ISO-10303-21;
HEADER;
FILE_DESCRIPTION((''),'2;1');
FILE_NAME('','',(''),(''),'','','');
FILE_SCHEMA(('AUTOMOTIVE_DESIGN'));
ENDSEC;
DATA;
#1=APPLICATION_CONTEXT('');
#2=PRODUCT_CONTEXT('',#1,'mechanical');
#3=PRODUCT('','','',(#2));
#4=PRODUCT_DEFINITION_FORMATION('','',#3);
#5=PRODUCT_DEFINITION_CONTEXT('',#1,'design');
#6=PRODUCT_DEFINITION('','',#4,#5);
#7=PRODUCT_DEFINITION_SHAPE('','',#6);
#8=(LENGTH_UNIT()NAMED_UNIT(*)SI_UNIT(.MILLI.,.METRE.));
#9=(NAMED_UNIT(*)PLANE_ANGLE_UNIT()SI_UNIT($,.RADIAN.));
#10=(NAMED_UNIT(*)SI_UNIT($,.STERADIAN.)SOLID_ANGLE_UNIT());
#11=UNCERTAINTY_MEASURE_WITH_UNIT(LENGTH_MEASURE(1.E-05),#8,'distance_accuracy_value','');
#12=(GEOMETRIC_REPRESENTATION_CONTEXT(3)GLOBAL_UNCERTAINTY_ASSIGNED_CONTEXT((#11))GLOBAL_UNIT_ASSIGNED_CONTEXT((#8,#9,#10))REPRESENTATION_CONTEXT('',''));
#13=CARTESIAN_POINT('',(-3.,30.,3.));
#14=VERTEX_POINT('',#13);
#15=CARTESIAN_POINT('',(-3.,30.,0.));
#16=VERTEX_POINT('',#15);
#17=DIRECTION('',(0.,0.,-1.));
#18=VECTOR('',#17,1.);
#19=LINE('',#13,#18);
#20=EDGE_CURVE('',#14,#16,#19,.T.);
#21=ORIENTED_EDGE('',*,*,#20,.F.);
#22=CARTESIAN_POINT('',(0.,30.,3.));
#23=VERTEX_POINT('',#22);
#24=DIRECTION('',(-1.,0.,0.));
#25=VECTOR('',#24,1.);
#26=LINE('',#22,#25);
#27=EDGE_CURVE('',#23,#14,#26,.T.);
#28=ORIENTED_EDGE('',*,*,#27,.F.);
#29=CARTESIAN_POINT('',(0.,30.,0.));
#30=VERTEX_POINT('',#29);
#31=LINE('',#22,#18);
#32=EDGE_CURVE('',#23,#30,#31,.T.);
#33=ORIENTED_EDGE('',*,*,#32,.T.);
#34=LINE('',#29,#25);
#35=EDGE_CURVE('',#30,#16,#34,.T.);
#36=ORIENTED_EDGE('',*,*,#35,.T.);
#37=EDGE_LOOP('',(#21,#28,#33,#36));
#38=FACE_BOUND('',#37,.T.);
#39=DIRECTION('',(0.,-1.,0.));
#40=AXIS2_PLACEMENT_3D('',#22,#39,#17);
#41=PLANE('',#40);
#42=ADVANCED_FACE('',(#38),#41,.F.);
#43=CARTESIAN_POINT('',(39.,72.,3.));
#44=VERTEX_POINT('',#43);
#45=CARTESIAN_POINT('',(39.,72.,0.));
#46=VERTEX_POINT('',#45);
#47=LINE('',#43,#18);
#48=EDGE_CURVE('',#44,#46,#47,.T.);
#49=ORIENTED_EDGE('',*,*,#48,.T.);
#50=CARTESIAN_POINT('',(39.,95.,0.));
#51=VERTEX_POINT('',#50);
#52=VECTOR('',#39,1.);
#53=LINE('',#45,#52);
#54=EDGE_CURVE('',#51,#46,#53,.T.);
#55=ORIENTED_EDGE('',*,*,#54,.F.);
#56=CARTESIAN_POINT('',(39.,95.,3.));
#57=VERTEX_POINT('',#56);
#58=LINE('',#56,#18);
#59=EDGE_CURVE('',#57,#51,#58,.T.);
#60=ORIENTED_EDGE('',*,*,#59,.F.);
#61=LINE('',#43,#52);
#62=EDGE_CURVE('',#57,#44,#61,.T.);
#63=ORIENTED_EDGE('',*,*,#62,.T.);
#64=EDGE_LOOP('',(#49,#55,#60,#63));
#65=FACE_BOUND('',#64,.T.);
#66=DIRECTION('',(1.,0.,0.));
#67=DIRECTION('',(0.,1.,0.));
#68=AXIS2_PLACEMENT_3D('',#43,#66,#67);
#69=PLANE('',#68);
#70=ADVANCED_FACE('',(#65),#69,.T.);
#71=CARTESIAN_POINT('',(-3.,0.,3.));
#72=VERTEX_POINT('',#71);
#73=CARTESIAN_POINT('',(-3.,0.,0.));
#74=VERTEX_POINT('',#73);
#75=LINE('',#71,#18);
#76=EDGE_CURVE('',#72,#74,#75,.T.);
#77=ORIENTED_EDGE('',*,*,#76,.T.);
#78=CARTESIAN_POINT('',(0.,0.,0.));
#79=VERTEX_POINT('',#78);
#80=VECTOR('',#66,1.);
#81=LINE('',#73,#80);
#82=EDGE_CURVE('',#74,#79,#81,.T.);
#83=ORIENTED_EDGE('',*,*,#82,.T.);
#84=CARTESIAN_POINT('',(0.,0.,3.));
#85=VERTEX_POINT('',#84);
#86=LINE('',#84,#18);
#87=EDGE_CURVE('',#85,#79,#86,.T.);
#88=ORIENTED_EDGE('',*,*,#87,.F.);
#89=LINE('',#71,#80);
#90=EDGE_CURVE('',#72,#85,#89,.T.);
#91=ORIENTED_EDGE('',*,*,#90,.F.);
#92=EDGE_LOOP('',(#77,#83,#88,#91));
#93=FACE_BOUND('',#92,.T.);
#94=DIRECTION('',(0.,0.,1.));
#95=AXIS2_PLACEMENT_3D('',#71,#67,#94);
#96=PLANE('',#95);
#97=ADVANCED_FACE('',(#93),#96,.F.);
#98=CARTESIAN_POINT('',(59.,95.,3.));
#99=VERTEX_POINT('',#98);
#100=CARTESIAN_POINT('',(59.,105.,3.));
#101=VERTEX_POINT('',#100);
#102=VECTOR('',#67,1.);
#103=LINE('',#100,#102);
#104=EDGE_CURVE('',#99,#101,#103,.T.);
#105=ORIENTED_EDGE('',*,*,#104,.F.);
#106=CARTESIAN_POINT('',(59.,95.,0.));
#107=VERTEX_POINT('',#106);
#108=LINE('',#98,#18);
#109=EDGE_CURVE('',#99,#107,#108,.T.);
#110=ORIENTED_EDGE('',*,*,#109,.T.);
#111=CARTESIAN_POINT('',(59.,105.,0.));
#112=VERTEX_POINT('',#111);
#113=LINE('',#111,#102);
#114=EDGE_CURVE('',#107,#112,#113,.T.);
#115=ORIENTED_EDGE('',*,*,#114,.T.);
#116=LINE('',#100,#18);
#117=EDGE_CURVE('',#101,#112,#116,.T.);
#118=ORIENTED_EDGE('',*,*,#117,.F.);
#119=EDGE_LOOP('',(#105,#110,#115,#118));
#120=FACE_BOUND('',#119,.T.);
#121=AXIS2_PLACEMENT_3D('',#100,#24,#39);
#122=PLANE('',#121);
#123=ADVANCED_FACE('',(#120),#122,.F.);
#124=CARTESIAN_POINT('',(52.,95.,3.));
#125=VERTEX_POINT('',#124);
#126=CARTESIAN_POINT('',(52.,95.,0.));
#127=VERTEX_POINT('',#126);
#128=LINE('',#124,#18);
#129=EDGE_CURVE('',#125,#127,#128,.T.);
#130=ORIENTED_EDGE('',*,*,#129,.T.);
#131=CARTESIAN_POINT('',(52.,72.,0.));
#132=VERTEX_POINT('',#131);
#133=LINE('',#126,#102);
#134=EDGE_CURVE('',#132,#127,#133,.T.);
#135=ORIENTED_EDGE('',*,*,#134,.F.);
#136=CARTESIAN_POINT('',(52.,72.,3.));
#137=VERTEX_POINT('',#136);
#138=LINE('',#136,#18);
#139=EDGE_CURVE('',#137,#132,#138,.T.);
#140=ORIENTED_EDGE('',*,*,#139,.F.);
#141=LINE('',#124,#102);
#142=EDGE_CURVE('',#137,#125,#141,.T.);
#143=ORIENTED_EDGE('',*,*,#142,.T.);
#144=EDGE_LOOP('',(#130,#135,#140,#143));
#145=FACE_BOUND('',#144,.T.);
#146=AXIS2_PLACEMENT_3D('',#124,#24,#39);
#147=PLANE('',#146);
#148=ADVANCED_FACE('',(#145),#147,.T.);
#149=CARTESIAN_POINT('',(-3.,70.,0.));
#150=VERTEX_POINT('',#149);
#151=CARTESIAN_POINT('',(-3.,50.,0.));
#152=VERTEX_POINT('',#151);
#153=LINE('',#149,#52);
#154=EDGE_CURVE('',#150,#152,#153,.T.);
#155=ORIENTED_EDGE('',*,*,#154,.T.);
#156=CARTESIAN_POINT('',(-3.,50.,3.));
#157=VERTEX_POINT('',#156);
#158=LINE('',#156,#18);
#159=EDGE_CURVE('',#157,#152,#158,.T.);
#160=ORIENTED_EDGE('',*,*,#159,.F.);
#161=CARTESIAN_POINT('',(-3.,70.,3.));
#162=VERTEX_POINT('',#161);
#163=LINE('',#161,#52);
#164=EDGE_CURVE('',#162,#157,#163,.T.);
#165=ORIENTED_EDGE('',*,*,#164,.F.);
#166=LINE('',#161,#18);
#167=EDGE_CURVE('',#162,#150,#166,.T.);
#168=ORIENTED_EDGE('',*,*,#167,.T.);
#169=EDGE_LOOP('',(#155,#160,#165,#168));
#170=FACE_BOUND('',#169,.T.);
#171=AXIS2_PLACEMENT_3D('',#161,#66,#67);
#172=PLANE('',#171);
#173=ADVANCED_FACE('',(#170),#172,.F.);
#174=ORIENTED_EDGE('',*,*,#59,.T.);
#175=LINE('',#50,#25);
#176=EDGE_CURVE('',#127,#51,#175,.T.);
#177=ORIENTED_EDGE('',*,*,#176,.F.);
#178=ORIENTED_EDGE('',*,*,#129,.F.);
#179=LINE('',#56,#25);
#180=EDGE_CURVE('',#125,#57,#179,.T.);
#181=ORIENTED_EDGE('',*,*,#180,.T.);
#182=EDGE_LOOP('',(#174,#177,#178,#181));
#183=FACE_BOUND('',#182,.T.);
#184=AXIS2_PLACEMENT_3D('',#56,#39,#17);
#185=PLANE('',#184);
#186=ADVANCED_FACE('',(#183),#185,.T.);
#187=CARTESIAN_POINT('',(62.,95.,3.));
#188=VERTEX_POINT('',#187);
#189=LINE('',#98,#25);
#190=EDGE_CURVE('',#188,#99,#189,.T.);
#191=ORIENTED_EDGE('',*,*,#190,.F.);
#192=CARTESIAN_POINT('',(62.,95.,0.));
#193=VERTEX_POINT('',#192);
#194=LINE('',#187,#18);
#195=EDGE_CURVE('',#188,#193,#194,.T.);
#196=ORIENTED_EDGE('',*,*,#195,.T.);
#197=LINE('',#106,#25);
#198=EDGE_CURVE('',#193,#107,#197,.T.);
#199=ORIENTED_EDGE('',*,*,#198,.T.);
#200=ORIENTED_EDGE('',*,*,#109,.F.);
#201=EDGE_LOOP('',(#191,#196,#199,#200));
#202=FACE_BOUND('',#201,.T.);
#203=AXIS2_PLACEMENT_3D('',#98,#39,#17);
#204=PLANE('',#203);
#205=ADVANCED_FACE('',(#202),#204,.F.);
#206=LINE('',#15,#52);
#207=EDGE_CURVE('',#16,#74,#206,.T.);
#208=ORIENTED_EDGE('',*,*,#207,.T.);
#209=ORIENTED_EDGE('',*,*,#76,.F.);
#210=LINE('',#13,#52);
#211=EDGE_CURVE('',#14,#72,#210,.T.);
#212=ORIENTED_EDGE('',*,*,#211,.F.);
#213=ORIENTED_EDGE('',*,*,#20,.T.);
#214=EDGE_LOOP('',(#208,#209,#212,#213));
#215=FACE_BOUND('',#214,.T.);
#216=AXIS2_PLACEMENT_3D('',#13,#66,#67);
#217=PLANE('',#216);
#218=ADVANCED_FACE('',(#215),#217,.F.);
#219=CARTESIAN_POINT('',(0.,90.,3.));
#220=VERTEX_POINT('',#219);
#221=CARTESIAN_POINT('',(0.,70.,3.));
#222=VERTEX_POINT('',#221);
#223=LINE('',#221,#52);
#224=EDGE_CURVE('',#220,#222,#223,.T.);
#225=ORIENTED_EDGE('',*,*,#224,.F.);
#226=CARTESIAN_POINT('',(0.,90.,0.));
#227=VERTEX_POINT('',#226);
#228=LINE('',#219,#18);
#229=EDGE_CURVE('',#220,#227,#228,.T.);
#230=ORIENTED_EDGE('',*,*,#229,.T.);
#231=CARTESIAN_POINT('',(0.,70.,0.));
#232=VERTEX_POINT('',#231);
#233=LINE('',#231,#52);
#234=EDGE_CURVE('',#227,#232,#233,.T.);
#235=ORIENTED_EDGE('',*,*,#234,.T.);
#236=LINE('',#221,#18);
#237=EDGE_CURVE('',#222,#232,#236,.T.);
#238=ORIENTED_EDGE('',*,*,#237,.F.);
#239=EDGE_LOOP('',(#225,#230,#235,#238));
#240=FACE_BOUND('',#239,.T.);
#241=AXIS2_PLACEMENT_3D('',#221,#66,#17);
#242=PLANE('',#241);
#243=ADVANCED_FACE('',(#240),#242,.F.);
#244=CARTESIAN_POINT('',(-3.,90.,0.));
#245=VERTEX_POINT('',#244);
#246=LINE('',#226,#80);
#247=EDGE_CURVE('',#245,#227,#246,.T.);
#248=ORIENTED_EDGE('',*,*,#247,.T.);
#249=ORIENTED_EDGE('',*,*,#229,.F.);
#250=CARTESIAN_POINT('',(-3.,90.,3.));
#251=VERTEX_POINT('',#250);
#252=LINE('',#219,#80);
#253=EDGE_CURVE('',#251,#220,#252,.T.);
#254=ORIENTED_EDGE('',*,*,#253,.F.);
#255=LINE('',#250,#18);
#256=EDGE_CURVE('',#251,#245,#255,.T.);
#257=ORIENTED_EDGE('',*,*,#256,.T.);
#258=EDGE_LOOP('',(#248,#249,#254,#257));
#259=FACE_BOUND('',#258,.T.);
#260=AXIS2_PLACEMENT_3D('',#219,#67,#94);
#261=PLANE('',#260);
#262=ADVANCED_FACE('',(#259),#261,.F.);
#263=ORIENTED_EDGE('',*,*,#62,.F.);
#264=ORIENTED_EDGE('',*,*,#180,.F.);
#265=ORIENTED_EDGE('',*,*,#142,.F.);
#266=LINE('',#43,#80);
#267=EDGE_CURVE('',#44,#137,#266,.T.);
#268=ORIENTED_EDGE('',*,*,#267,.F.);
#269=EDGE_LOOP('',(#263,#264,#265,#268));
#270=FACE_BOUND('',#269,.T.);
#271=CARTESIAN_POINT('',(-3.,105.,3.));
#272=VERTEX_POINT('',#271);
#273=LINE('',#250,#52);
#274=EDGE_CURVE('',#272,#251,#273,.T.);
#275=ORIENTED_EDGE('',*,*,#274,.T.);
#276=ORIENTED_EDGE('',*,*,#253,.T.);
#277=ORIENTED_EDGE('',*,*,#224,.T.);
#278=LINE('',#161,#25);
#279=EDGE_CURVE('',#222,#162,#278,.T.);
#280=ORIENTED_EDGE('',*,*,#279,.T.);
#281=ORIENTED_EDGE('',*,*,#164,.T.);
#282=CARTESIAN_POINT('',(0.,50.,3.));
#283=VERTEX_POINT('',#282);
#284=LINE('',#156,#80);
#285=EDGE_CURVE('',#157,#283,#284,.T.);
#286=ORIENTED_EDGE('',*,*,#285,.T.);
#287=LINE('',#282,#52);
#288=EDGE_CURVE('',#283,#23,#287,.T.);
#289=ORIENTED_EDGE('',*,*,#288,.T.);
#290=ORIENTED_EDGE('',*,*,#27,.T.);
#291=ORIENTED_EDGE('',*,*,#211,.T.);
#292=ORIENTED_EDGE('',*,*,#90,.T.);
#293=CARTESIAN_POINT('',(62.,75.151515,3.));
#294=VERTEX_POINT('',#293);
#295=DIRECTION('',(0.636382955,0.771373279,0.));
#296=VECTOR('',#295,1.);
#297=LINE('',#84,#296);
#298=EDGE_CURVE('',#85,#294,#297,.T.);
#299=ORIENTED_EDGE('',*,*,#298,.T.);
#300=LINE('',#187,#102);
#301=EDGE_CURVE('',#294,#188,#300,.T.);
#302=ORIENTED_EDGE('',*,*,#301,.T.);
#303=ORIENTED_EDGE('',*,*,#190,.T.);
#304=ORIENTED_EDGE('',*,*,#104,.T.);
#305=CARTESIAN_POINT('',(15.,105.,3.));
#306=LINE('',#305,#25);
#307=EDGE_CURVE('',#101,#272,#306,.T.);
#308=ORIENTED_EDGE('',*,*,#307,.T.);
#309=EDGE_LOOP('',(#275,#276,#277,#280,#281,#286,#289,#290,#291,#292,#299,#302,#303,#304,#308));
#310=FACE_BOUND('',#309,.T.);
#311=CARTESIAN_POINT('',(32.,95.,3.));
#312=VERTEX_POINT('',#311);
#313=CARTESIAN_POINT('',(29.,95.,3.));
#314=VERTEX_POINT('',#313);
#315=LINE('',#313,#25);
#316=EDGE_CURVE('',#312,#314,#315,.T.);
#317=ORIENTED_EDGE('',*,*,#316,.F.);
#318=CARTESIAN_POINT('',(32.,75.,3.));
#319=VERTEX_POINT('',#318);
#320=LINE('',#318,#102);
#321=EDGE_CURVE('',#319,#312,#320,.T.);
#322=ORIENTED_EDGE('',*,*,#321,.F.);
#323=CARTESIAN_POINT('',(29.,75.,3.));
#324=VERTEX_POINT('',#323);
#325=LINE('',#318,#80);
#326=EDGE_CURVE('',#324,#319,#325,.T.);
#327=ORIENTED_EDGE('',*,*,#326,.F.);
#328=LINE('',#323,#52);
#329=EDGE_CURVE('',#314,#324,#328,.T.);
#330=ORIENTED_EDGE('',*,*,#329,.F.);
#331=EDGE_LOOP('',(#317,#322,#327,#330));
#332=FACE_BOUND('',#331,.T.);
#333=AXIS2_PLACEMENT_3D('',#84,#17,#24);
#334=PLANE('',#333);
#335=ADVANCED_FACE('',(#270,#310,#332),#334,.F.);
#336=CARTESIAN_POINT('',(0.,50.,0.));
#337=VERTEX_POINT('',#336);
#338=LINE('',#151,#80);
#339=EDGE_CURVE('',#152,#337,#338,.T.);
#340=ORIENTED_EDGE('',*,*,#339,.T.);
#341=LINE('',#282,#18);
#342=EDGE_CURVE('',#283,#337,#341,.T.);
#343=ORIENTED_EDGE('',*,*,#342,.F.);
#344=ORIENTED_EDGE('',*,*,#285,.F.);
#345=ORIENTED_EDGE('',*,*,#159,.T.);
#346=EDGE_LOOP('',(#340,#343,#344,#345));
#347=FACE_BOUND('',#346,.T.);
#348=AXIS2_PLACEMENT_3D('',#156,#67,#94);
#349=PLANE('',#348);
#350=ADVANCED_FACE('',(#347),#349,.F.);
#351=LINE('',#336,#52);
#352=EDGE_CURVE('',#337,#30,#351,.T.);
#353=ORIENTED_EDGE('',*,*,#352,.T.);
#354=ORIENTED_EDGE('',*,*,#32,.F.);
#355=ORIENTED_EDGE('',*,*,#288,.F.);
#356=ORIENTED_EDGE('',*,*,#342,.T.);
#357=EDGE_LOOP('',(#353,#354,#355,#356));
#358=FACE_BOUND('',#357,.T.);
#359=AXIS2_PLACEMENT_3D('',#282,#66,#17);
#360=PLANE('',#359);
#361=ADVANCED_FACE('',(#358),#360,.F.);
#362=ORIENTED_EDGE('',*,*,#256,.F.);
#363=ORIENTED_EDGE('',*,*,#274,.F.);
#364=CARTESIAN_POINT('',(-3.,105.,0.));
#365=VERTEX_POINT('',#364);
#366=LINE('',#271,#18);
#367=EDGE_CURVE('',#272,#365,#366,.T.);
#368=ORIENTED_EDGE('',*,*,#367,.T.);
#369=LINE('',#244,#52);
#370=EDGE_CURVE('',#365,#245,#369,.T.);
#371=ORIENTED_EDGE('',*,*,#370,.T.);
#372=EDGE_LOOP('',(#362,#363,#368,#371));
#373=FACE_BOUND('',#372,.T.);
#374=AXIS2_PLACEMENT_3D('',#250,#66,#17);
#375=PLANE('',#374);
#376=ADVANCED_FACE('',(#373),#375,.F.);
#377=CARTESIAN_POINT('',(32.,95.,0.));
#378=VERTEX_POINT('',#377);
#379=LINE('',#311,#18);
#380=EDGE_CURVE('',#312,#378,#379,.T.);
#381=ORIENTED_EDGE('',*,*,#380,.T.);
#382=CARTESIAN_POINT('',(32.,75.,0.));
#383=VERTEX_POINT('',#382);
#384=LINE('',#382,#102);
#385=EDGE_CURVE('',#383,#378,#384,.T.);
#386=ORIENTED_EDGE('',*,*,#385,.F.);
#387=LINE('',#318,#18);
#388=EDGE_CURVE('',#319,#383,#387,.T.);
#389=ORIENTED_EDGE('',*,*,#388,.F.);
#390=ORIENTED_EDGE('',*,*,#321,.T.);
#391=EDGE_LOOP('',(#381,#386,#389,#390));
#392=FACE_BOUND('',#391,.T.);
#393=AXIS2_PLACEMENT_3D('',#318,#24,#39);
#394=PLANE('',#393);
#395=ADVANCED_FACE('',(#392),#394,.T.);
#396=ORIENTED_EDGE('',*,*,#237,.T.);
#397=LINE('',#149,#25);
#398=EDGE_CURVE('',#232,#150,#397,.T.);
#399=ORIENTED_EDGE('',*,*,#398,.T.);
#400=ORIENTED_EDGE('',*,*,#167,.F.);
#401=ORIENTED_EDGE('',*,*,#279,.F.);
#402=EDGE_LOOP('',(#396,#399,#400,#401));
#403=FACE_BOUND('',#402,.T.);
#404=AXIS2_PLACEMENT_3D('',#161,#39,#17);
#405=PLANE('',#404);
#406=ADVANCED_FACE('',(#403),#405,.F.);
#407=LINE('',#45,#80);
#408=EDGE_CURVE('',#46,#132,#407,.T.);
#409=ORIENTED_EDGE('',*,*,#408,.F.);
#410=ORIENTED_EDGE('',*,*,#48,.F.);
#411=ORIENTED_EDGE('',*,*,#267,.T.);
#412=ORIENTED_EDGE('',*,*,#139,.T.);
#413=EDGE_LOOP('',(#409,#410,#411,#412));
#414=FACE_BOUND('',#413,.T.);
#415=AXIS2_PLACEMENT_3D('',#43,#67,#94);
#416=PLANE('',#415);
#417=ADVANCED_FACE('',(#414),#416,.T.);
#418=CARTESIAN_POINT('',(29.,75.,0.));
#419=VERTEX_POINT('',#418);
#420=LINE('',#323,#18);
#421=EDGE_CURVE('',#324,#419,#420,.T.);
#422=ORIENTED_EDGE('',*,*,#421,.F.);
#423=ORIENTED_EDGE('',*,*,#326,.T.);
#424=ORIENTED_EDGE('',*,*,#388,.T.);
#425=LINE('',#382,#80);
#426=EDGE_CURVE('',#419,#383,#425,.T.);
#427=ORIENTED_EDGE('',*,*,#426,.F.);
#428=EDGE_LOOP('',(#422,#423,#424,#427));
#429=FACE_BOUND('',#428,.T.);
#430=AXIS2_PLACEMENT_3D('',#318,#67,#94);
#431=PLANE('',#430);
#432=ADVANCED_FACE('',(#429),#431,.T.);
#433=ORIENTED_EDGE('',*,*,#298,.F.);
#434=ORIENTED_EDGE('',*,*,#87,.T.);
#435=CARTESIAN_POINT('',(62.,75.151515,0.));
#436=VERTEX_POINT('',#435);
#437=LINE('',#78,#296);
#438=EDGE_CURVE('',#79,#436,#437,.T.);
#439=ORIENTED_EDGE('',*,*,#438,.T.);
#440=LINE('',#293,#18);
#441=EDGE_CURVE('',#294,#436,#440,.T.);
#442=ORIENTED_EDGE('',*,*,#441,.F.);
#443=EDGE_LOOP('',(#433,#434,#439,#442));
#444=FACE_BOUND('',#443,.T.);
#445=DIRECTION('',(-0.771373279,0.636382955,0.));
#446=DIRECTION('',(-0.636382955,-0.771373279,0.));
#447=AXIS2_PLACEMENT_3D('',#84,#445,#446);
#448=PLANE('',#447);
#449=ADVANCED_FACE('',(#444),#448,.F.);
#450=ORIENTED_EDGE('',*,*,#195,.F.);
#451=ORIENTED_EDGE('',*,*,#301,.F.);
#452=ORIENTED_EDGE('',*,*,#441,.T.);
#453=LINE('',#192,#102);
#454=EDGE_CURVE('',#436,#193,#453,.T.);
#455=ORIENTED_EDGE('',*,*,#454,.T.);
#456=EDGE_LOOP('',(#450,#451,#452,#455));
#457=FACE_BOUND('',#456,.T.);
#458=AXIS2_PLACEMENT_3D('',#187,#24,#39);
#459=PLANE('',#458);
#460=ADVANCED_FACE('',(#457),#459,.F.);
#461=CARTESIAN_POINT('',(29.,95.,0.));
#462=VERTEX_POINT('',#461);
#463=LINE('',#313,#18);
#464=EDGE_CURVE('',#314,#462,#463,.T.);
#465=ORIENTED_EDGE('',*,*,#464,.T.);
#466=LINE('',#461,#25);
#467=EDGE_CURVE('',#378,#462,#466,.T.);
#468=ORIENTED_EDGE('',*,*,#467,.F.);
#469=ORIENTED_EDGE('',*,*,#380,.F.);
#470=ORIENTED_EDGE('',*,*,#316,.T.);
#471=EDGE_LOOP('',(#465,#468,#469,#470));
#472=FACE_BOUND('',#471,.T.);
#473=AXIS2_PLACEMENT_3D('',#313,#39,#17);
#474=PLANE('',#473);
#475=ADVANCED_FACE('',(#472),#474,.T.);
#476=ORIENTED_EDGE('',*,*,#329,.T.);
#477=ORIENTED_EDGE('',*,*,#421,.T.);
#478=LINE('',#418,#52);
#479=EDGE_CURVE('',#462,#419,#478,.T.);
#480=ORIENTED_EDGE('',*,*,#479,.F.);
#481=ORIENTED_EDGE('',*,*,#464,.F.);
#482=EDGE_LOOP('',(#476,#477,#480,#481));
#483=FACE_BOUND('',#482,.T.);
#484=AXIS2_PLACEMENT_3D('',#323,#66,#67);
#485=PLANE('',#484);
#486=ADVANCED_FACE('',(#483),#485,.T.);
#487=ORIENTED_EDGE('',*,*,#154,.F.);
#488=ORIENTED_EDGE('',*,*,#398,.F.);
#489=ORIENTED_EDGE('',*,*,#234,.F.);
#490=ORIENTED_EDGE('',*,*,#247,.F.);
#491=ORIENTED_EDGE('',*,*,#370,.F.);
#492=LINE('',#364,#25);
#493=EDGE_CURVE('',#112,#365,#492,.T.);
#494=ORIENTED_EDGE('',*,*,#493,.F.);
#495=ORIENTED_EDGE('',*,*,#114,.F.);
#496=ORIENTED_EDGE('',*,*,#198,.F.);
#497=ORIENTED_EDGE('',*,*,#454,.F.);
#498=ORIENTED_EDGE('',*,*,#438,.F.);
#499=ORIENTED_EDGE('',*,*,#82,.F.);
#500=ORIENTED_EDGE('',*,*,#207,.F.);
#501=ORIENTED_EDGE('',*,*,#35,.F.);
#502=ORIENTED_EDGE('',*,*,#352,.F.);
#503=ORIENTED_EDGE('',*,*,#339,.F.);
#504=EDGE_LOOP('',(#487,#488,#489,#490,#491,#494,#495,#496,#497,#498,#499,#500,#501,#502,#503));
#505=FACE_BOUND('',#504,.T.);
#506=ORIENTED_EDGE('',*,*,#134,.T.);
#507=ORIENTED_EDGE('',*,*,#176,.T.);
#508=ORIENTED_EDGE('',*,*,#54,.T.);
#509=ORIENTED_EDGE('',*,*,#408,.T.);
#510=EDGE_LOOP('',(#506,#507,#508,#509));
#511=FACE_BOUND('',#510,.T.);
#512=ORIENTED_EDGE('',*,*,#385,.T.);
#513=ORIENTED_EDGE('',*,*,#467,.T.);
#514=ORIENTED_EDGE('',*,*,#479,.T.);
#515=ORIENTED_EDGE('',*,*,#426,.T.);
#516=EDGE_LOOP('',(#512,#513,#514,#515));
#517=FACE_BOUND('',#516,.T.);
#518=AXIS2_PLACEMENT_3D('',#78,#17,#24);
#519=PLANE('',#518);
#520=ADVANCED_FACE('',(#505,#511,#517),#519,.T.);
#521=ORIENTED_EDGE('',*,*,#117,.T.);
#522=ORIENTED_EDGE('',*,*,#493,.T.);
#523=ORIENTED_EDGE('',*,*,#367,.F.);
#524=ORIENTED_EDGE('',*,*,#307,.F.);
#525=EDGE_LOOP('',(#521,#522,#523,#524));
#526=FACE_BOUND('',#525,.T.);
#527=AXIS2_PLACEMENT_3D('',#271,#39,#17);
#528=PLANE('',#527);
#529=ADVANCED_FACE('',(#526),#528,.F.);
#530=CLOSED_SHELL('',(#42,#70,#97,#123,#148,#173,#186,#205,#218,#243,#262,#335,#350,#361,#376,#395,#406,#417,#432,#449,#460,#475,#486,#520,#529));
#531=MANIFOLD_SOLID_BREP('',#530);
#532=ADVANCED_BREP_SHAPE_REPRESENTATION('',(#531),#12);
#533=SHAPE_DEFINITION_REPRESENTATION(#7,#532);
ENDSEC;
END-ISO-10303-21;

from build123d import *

# Parameters (mm, degrees)
SKETCH1_W           = 13
SKETCH1_H           = 23
SKETCH1_W_2         = 3
SKETCH1_H_2         = 20
BOSS_EXTRUDE1_DEPTH = 3


with BuildPart() as part:
    # Sketch1 → Boss-Extrude1 (new body)
    with BuildSketch(Plane.XY):
        Polygon((-3, 70), (-3, 50), (0, 50), (0, 30), (-3, 30), (-3, 0), (0, 0), (62, 75.151515152), (62, 95), (59, 95), (59, 105), (15, 105), (-3, 105), (-3, 90), (0, 90), (0, 70), align=None)
        with Locations((45.5, 83.5)):
            Rectangle(SKETCH1_W, SKETCH1_H, mode=Mode.SUBTRACT)
        with Locations((30.5, 85)):
            Rectangle(SKETCH1_W_2, SKETCH1_H_2, mode=Mode.SUBTRACT)
    extrude(amount=BOSS_EXTRUDE1_DEPTH)


solid = part.part
